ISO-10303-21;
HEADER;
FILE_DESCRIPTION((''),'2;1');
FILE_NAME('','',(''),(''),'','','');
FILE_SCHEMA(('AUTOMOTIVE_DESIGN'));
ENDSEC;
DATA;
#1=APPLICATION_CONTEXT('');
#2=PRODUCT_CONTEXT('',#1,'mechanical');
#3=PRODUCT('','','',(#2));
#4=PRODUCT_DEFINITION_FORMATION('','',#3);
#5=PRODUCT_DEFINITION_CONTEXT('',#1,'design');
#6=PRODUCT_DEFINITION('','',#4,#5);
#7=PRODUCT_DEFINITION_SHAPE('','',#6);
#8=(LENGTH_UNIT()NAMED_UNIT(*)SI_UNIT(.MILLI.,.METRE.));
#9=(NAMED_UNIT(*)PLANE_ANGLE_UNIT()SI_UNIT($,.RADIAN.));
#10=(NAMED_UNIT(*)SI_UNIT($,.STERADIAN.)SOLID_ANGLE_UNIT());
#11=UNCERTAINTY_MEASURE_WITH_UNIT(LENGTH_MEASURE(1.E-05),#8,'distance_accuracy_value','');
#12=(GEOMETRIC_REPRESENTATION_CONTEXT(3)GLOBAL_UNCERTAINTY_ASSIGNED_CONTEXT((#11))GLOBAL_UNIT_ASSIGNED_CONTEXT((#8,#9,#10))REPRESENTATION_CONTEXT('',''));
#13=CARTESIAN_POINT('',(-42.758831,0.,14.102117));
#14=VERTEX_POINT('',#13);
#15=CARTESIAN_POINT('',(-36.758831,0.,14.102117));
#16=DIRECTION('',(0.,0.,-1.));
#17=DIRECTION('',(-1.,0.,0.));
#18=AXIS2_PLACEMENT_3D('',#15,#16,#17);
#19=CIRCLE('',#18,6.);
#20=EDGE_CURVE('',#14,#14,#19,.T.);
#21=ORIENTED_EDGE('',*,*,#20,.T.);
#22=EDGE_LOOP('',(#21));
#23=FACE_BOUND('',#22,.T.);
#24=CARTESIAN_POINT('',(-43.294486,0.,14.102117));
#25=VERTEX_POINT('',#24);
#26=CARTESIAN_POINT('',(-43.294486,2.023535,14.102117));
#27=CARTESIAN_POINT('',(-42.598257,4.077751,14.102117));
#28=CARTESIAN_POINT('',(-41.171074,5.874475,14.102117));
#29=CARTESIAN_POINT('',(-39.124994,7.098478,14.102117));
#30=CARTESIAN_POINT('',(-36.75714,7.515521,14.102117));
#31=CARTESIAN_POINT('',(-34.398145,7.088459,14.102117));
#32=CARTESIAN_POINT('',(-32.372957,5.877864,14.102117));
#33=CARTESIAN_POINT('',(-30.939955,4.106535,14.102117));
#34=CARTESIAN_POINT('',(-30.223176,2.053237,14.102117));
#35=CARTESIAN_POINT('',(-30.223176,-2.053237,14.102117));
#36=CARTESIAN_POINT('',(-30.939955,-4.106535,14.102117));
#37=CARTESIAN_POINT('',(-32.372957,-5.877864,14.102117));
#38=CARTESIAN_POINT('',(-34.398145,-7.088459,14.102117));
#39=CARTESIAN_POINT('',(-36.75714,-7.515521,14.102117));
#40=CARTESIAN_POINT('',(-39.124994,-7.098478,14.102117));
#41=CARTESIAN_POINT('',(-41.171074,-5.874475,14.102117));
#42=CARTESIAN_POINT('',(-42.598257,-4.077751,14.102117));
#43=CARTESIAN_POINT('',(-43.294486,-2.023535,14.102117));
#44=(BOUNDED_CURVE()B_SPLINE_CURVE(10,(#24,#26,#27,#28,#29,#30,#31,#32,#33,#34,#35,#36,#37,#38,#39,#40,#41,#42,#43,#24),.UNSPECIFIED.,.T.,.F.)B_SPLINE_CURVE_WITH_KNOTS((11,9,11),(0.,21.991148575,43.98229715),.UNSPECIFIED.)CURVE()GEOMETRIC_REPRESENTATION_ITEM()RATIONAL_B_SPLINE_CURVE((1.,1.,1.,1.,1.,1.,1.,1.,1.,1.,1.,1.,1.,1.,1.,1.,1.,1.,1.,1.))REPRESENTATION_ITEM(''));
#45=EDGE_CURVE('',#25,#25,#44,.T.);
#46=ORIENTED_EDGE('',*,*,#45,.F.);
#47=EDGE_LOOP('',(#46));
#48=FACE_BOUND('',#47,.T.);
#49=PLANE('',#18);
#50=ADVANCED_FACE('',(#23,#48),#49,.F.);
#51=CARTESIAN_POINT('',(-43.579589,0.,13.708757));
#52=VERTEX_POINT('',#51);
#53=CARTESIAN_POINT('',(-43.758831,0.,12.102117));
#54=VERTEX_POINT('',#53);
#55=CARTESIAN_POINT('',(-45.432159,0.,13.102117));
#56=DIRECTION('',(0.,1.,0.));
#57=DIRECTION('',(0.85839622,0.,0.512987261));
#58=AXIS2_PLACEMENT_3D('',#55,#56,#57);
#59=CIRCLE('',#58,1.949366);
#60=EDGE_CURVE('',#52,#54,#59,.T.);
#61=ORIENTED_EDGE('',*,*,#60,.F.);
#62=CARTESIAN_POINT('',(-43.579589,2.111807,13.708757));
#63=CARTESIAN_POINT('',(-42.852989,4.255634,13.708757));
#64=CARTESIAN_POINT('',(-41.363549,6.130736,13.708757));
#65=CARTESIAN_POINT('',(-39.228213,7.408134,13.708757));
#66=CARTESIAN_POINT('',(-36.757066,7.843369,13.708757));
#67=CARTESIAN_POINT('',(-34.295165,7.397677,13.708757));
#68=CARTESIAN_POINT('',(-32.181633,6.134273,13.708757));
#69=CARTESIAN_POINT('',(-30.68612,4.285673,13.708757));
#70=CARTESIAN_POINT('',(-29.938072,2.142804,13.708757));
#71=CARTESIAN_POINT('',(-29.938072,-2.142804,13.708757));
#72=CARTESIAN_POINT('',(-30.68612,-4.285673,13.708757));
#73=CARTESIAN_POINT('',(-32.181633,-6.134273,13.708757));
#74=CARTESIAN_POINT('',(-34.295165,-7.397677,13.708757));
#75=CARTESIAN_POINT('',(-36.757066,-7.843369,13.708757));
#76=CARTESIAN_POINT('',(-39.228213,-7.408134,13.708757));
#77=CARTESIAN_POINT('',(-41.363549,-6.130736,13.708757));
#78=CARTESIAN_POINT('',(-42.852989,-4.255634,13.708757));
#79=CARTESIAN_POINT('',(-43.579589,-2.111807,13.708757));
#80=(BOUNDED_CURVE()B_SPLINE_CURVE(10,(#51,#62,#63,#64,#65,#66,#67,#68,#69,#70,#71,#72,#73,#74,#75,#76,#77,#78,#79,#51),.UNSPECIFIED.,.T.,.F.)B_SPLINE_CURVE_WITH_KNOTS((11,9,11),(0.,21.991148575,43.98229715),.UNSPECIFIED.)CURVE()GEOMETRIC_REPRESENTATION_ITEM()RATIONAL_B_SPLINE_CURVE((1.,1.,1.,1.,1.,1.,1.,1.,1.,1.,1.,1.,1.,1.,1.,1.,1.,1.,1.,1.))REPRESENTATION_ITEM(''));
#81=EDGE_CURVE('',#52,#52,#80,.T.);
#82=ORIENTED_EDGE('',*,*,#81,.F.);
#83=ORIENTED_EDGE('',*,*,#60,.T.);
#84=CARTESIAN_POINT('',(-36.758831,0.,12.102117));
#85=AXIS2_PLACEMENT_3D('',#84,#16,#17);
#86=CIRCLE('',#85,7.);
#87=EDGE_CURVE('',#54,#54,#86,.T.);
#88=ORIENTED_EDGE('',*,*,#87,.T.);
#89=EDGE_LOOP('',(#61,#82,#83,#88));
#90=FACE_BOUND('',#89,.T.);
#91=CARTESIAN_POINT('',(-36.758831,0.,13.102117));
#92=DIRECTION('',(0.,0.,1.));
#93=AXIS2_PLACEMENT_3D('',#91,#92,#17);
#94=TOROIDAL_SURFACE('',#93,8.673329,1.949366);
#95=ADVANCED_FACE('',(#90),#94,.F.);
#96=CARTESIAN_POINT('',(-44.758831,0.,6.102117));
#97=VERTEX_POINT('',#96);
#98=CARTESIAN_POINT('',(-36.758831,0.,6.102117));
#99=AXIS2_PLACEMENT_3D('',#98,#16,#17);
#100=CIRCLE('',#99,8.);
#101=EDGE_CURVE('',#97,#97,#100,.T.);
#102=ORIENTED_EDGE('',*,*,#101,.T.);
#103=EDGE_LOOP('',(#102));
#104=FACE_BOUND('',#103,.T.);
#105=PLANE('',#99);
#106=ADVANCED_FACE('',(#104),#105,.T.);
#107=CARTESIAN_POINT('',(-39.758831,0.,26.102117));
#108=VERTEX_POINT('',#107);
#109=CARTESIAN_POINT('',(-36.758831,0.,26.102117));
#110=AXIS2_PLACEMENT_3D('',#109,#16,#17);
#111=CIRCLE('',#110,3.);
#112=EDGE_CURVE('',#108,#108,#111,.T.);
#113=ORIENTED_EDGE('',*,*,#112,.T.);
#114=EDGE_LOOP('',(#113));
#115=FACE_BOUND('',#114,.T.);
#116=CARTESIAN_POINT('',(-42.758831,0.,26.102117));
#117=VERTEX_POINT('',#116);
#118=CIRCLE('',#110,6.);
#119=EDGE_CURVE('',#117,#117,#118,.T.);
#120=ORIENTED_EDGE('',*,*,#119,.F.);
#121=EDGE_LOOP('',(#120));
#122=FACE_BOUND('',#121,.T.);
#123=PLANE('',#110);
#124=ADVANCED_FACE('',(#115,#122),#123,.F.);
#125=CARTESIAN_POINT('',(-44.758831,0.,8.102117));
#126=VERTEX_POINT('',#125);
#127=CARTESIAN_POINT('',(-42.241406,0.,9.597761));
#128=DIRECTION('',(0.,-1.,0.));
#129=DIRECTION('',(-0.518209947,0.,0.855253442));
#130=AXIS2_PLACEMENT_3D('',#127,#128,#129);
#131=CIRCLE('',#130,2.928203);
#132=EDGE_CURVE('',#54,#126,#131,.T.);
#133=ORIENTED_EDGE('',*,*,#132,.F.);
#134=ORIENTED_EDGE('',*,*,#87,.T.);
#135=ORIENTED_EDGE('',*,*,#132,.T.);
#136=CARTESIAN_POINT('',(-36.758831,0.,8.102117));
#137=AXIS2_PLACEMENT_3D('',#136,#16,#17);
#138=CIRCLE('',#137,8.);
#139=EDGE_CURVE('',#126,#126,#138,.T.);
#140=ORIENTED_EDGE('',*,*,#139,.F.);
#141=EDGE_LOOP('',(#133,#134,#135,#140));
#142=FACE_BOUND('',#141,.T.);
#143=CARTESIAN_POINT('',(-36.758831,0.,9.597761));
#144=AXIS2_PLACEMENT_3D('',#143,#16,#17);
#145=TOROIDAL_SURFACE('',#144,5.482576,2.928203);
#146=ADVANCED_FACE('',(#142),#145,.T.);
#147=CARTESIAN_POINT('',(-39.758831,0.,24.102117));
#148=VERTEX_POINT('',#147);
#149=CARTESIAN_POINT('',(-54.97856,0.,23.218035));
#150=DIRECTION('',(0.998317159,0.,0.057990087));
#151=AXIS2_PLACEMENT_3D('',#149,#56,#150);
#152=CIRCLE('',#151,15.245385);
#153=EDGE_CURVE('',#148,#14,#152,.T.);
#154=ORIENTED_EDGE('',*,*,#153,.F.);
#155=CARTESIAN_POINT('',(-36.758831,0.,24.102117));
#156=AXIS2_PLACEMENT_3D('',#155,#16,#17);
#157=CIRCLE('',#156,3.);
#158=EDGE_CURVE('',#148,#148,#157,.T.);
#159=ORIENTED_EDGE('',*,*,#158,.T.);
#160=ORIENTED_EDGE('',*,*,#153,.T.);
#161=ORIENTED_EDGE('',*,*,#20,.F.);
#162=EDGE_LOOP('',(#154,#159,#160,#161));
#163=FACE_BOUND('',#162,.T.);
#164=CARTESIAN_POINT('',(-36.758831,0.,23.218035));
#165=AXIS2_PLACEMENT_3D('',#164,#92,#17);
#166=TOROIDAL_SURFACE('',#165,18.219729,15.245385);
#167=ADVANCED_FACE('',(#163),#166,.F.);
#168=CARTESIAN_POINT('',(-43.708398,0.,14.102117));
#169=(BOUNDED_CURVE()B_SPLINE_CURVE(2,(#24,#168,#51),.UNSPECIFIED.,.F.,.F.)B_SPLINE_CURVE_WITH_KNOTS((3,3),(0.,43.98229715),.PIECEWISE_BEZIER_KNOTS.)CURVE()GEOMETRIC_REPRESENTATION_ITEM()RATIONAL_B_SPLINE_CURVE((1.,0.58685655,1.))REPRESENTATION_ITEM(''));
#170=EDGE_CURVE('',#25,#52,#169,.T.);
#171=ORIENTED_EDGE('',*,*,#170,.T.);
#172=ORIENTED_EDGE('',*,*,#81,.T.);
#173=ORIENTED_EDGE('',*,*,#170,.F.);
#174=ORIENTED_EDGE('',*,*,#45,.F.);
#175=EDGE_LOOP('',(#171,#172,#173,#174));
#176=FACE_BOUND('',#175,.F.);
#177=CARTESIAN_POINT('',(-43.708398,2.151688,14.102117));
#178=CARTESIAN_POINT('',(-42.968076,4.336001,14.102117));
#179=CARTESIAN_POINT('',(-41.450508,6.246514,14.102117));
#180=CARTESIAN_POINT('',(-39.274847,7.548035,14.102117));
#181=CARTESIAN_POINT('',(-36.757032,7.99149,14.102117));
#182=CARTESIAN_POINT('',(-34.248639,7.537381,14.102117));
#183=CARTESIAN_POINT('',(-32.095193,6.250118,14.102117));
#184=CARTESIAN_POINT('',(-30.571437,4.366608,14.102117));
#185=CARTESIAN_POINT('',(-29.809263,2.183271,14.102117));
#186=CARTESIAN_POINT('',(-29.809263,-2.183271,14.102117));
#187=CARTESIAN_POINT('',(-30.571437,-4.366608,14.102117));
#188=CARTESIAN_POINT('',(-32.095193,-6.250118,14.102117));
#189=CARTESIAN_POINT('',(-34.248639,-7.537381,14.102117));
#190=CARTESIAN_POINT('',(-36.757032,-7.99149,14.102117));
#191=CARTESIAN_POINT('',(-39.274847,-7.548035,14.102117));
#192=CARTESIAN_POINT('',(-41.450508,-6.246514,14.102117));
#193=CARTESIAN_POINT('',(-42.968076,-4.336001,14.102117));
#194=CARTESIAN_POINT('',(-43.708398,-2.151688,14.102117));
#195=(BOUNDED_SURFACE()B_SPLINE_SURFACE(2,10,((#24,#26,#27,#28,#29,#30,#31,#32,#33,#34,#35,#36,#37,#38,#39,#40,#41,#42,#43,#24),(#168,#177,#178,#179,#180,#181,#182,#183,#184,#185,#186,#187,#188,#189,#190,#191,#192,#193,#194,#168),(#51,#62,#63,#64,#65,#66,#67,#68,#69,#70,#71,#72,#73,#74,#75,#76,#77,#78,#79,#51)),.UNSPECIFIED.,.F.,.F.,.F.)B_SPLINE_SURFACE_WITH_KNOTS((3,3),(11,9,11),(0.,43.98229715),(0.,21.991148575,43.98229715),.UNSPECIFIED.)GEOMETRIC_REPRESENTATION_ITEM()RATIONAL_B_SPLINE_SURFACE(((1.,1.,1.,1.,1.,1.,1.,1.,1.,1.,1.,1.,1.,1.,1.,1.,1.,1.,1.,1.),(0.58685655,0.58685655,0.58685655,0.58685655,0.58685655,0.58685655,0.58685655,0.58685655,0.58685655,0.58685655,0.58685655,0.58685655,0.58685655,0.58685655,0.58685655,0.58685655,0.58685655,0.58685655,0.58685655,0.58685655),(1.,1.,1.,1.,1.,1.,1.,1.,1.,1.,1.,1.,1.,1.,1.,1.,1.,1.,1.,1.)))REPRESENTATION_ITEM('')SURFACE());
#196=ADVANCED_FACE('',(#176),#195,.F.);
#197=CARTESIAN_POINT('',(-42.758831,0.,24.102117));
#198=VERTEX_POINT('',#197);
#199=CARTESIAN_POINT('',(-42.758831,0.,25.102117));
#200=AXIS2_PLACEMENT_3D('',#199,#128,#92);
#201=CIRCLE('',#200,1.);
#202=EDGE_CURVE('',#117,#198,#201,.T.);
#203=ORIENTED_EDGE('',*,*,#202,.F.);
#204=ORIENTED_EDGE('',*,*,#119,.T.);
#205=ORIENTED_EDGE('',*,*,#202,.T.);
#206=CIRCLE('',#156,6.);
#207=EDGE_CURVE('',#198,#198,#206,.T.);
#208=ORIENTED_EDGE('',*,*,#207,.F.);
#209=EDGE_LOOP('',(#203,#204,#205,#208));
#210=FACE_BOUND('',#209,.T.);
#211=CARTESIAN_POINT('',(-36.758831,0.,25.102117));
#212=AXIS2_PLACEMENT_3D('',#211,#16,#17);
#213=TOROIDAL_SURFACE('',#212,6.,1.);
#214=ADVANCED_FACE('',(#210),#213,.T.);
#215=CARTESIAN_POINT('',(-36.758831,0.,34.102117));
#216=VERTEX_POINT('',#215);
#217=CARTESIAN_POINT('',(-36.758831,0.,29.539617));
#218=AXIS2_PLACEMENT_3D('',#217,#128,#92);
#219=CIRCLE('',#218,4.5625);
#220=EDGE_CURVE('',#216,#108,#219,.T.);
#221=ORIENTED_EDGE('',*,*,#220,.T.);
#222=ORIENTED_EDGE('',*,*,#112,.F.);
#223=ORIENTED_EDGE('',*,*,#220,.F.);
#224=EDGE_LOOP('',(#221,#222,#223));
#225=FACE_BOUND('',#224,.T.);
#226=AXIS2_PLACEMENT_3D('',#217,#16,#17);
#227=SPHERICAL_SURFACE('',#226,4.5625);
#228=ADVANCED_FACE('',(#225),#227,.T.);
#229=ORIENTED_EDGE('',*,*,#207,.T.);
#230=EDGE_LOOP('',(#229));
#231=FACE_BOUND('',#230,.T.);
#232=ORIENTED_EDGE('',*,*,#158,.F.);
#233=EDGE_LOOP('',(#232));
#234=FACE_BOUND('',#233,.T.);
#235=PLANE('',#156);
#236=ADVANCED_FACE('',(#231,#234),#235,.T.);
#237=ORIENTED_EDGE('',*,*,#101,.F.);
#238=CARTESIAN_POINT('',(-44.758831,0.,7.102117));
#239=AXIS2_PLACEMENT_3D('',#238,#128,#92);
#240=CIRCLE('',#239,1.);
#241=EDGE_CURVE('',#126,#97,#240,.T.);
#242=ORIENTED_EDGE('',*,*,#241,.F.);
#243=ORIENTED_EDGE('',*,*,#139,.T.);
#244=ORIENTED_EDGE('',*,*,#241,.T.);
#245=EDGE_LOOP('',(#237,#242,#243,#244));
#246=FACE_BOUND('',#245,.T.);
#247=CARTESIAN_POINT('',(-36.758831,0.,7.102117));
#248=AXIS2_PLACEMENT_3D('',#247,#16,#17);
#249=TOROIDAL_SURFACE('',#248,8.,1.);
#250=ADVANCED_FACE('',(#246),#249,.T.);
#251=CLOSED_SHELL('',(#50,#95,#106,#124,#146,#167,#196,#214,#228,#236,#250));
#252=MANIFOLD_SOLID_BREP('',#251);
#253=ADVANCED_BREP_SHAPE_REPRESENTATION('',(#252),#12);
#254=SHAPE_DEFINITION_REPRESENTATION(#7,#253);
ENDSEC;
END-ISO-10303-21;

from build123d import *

# Parameters (mm, degrees)
F2_R = 0.3


with BuildPart() as f1:
    # F0 (on Front) → F1 (revolve)
    with BuildSketch(Plane.XZ):
        with BuildLine():
            Line((-39.7588305473, 26.102116676), (-36.7588305473, 26.102116676))
            Line((-36.7588305473, 26.102116676), (-36.7588305473, 34.102116676))
            ThreePointArc((-36.7588305473, 34.102116676), (-41.03083242, 31.1416173783), (-39.7588305473, 26.102116676))
        make_face()
        with BuildLine():
            Line((-39.7588305473, 24.102116676), (-36.7588305473, 24.102116676))
            Line((-36.7588305473, 24.102116676), (-36.7588305473, 26.102116676))
            Line((-36.7588305473, 26.102116676), (-39.7588305473, 26.102116676))
            Line((-39.7588305473, 26.102116676), (-42.7588305473, 26.102116676))
            ThreePointArc((-42.7588305473, 26.102116676), (-43.7588305473, 25.102116676), (-42.7588305473, 24.102116676))
            Line((-42.7588305473, 24.102116676), (-39.7588305473, 24.102116676))
        make_face()
        with BuildLine():
            Line((-36.7588305473, 14.102116676), (-36.7588305473, 24.102116676))
            Line((-36.7588305473, 24.102116676), (-39.7588305473, 24.102116676))
            ThreePointArc((-39.7588305473, 24.102116676), (-40.3761295024, 18.8373063626), (-42.7588305473, 14.102116676))
            Line((-42.7588305473, 14.102116676), (-36.7588305473, 14.102116676))
        make_face()
        with BuildLine():
            Line((-36.7588305473, 8.102116676), (-36.7588305473, 14.102116676))
            Line((-36.7588305473, 14.102116676), (-42.7588305473, 14.102116676))
            Line((-42.7588305473, 14.102116676), (-43.7588305473, 14.102116676))
            ThreePointArc((-43.7588305473, 14.102116676), (-43.4827929321, 13.102116676), (-43.7588305473, 12.102116676))
            ThreePointArc((-43.7588305473, 12.102116676), (-45.082180982, 10.3079542847), (-44.7588305473, 8.102116676))
            Line((-44.7588305473, 8.102116676), (-36.7588305473, 8.102116676))
        make_face()
        with BuildLine():
            Line((-36.7588305473, 6.102116676), (-36.7588305473, 8.102116676))
            Line((-36.7588305473, 8.102116676), (-44.7588305473, 8.102116676))
            ThreePointArc((-44.7588305473, 8.102116676), (-45.7588305473, 7.102116676), (-44.7588305473, 6.102116676))
            Line((-44.7588305473, 6.102116676), (-36.7588305473, 6.102116676))
        make_face()
    revolve(axis=Axis((-36.7588305473, 0, 15.102116676), (0, 0, -1)))

    # F2
    f2_edges = [f1.edges().sort_by_distance(p)[0] for p in [
        (-29.758831, 0, 14.102117),
    ]]
    fillet(f2_edges, radius=F2_R)


solid = f1.part
